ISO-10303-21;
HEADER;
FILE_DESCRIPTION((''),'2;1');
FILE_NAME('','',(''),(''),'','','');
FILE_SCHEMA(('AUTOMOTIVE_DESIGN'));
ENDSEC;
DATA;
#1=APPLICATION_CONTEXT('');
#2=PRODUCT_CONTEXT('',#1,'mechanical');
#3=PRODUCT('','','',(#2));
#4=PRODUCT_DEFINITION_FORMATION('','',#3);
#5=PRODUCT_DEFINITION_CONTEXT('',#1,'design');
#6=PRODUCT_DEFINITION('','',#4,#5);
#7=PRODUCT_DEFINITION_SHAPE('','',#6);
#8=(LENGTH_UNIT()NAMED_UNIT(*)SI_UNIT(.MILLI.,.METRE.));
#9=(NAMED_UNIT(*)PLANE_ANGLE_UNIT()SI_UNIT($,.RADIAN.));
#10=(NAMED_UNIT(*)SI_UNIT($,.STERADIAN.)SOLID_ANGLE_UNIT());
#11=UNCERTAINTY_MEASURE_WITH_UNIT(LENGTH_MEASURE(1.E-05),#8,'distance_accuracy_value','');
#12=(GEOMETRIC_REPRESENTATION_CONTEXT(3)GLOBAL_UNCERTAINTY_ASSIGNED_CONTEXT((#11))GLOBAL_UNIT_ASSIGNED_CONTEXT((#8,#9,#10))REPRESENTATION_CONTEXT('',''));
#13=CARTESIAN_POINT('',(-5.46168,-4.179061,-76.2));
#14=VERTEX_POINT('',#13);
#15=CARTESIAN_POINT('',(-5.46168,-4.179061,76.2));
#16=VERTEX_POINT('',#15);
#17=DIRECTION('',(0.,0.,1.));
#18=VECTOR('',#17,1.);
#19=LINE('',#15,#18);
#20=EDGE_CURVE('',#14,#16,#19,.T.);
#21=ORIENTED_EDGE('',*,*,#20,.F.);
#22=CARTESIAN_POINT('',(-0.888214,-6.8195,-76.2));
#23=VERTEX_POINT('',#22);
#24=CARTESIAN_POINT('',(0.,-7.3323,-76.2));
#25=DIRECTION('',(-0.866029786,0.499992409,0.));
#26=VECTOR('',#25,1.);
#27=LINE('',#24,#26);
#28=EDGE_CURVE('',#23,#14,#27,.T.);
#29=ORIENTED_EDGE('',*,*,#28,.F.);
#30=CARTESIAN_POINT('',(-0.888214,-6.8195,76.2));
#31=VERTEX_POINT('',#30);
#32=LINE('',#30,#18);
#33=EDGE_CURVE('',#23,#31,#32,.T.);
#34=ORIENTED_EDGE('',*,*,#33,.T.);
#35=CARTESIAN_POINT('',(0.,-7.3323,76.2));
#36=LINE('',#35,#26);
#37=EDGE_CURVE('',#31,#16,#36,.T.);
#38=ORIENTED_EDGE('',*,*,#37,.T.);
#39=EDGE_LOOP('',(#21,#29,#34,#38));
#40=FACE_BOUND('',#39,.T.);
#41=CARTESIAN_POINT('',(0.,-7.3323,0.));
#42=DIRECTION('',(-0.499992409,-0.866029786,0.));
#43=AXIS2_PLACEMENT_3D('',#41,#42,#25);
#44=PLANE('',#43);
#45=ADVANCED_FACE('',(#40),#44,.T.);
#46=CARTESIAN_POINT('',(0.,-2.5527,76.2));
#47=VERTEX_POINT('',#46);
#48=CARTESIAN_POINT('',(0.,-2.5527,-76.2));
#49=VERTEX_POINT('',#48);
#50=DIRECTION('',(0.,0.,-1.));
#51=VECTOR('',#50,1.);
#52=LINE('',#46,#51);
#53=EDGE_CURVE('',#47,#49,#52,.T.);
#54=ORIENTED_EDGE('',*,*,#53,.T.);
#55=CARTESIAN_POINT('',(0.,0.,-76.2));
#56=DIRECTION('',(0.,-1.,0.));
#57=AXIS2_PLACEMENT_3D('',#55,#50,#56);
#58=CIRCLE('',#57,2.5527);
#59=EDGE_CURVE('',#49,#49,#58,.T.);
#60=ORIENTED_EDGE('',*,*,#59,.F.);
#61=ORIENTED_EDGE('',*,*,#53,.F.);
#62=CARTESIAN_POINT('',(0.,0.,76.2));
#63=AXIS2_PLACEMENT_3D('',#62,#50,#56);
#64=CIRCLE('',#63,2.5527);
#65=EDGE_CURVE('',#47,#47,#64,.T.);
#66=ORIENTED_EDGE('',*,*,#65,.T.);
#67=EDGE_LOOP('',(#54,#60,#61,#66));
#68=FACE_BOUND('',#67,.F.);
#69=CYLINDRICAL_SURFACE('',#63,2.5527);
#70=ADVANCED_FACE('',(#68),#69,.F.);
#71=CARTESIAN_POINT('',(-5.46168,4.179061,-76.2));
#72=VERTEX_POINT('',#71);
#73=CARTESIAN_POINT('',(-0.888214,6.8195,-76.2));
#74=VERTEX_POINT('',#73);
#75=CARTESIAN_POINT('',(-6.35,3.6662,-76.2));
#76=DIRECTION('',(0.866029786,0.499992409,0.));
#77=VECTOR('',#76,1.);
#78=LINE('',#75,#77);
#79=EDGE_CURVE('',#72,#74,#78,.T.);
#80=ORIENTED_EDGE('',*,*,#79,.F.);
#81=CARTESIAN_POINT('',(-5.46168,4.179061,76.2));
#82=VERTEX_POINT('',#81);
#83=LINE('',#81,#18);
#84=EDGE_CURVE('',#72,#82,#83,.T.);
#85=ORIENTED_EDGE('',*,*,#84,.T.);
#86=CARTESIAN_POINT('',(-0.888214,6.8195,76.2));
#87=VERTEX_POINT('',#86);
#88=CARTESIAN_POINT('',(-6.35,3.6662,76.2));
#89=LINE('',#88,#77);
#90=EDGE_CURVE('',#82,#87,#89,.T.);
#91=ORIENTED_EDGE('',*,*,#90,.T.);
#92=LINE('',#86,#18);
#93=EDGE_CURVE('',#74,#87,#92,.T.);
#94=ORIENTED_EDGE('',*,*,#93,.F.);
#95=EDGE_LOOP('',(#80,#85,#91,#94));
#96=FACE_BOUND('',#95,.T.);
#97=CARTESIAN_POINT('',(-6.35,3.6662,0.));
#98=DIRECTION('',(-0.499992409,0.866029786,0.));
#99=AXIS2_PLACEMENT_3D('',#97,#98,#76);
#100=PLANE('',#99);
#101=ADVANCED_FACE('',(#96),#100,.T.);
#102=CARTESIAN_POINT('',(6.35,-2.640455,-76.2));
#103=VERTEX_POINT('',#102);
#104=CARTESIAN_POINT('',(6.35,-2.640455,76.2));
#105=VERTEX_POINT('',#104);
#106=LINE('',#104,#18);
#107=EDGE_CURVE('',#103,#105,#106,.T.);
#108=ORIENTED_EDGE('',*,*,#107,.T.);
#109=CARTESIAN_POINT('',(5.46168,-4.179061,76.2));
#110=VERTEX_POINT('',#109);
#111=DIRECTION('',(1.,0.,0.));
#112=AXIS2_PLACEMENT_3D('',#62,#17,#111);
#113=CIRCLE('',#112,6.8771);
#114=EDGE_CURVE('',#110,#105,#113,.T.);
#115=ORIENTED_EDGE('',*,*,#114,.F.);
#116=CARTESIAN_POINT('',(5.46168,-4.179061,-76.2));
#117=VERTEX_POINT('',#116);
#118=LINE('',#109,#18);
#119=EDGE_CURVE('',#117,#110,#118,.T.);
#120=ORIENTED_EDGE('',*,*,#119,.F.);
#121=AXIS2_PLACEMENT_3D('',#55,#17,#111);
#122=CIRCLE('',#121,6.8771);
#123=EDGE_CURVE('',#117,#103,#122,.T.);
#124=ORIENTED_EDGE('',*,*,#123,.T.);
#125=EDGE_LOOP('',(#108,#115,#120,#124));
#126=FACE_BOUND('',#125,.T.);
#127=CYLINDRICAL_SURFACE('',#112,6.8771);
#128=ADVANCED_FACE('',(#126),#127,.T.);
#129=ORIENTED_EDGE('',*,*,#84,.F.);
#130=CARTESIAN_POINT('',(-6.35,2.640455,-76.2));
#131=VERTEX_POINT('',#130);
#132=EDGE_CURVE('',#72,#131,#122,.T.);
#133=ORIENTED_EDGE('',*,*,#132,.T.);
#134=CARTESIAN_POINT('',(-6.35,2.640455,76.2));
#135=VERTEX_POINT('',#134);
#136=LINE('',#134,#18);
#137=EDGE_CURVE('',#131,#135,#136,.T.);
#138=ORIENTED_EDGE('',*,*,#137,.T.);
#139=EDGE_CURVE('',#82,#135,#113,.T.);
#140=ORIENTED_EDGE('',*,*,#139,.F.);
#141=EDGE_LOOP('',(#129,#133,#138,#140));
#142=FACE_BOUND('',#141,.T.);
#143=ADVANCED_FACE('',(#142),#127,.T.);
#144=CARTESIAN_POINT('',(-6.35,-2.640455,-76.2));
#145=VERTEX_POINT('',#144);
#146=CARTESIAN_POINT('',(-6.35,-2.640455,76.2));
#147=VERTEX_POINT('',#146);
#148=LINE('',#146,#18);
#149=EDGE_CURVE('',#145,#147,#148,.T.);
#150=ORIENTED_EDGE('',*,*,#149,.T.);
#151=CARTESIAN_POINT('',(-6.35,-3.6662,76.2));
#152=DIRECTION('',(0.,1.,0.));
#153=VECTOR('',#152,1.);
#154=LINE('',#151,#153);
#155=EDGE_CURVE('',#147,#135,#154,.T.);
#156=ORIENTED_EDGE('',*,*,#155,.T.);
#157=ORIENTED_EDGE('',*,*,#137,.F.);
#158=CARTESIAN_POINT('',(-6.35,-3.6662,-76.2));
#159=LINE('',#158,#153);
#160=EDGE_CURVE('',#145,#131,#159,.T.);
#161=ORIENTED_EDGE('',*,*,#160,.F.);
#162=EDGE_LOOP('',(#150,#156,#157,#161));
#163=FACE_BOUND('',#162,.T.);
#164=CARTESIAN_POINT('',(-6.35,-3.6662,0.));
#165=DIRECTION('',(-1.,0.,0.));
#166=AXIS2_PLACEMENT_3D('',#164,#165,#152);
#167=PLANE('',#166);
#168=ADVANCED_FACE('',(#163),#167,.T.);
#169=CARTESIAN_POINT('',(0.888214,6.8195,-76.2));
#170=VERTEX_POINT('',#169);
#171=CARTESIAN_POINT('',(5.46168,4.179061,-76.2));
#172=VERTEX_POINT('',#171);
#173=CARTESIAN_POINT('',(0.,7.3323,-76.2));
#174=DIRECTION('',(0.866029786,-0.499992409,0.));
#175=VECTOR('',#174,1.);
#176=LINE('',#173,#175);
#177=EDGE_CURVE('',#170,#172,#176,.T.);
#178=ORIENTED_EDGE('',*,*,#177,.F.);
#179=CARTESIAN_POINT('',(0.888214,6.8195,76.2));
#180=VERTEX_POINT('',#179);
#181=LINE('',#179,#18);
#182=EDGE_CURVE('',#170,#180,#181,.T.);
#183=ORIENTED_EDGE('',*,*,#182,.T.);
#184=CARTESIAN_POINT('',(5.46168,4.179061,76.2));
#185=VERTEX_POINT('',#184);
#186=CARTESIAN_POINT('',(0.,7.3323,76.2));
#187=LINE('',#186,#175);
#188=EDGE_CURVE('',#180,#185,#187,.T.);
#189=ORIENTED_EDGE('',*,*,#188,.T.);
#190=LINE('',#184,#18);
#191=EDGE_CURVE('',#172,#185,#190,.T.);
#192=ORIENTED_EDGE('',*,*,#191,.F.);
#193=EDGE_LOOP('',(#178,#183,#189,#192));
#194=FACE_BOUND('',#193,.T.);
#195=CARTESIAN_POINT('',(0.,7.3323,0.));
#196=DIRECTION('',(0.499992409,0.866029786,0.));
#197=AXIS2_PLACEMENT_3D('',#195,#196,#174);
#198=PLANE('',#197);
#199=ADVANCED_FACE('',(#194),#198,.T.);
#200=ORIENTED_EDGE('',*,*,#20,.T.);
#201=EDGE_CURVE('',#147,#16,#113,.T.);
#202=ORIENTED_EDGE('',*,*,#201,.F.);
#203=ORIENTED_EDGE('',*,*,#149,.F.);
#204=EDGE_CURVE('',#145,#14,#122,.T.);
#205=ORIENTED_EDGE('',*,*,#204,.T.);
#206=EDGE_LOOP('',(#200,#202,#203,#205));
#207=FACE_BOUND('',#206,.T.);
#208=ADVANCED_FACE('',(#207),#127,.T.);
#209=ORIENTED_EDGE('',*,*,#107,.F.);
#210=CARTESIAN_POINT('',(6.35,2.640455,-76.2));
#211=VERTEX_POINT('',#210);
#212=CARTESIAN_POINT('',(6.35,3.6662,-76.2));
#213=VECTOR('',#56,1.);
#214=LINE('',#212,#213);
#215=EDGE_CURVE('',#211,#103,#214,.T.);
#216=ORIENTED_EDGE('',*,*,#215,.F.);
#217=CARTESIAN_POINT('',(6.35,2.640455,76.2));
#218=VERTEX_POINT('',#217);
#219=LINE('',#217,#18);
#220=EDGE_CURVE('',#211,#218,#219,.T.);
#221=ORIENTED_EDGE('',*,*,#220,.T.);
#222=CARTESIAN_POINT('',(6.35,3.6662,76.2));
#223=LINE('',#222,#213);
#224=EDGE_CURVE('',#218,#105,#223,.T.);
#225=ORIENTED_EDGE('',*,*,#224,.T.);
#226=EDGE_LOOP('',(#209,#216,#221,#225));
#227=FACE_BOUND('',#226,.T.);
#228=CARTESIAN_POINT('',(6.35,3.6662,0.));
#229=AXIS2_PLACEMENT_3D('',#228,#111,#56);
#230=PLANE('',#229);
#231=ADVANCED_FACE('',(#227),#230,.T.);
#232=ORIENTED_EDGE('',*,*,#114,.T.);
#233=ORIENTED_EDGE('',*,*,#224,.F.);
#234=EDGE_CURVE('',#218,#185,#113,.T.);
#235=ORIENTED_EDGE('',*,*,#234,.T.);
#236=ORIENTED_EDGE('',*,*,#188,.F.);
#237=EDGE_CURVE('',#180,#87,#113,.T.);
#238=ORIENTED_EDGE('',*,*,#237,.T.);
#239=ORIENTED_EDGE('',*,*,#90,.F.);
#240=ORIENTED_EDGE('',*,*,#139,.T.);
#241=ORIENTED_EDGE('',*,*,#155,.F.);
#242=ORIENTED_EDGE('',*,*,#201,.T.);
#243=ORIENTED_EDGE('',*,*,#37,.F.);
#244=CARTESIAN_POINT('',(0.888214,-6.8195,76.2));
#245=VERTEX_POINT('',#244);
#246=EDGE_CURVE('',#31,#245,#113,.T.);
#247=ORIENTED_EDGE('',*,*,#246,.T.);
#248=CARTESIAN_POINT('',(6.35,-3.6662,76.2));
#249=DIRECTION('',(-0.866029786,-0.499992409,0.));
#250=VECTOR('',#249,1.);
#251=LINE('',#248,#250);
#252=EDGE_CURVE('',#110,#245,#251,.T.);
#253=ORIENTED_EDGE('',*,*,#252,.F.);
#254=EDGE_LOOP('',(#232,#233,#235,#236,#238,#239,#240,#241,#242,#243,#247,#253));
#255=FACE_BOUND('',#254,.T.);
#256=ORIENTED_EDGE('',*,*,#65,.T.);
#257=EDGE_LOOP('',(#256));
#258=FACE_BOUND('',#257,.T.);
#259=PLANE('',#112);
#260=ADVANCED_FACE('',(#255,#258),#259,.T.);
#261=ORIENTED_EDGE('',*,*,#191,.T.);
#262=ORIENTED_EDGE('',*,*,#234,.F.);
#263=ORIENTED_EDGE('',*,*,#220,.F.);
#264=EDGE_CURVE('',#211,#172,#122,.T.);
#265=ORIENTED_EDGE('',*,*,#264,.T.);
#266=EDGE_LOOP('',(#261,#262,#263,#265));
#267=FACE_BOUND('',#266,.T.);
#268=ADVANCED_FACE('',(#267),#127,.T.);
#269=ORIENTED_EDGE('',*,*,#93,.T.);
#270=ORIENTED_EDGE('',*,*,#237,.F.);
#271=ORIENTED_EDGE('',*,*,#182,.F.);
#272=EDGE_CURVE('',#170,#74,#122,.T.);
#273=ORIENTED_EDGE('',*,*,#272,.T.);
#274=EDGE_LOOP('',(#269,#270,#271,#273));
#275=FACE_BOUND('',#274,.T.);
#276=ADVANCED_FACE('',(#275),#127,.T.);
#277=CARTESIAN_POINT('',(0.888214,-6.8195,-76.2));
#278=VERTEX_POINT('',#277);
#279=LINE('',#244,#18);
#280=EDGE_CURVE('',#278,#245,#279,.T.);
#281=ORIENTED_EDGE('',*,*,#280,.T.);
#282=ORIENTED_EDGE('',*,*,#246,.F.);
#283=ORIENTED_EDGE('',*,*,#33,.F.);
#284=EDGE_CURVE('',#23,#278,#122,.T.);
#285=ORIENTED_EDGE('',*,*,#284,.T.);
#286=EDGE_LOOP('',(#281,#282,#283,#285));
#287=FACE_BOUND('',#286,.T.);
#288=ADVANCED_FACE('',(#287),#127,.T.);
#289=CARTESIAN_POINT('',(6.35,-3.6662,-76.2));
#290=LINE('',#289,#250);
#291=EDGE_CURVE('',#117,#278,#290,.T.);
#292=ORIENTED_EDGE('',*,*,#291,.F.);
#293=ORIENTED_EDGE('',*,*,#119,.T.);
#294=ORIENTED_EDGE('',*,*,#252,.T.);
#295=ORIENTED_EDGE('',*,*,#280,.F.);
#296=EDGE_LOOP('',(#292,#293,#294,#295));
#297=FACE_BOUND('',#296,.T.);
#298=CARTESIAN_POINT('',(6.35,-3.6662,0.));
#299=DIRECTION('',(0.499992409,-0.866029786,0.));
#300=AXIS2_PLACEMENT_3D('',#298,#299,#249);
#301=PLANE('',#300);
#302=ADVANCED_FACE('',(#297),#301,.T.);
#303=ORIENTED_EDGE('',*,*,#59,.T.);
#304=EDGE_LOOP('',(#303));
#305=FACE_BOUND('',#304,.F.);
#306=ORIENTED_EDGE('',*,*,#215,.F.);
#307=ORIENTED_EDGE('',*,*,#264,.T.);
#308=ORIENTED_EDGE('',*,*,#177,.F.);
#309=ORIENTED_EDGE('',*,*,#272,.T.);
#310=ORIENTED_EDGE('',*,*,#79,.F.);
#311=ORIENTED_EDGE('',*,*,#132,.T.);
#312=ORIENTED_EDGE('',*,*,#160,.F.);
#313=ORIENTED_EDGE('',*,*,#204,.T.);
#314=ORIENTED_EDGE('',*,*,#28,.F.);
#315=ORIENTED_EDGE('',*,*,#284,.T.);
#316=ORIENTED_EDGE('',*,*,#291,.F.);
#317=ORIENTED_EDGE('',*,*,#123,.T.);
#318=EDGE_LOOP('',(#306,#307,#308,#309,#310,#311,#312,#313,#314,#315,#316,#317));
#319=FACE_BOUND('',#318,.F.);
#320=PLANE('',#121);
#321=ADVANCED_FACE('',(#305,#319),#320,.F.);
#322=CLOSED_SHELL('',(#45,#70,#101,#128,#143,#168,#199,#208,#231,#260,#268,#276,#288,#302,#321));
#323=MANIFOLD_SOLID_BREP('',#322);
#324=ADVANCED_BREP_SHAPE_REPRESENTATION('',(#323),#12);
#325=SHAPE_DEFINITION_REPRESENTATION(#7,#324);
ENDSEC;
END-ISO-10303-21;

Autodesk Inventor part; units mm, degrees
ref_plane "YZ Plane" through (0, 0, 0) normal (1, 0, 0) x (0, 1, 0)
ref_plane "XZ Plane" through (0, 0, 0) normal (0, 1, 0) x (-1, 0, 0)
ref_plane "XY Plane" through (0, 0, 0) normal (0, 0, 1) x (1, 0, 0)
sketch "Sketch1" plane through (0, 0, 0) normal (0, 0, 1) x (1, 0, 0)
  line L0 (-6.35, -3.6662) -> (-6.35, 3.6662)
  line L1 (-6.35, 3.6662) -> (0, 7.3323)
  line L2 (0, 7.3323) -> (6.35, 3.6662)
  line L3 (6.35, 3.6662) -> (6.35, -3.6662)
  line L4 (6.35, -3.6662) -> (0, -7.3323)
  line L5 (0, -7.3323) -> (-6.35, -3.6662)
  point P0 (0, 0)
  point P1 (0, 0)
  dimension "Size" = 12.7
extrude "Extrusion1" add sketch "Sketch1" along normal mid plane 152.4
sketch "Sketch3" plane through (0, 0, 76.2) normal (0, 0, 1) x (1, 0, 0)
  line L0 (-6.35, 3.6662) -> (0, 7.3323) construction
  line L1 (0, 7.3323) -> (6.35, 3.6662) construction
  line L2 (6.35, 3.6662) -> (6.35, -3.6662) construction
  line L3 (6.35, -3.6662) -> (0, -7.3323) construction
  line L4 (0, -7.3323) -> (-6.35, -3.6662) construction
  line L5 (-6.35, -3.6662) -> (-6.35, 3.6662) construction
  point P0 (0, 0)
hole "Hole1" at (0, 0, 76.2) direction (0, 0, -1) diameter 5.1054 end through all
sketch "Sketch4" plane through (0, 0, 76.2) normal (0, 0, 1) x (1, 0, 0)
  circle A0 centre (0, 0) radius 2.5527 construction
  line L0 (-6.35, 3.6662) -> (0, 7.3323) construction
  line L1 (0, 7.3323) -> (6.35, 3.6662) construction
  line L2 (6.35, 3.6662) -> (6.35, -3.6662) construction
  line L3 (6.35, -3.6662) -> (0, -7.3323) construction
  line L4 (0, -7.3323) -> (-6.35, -3.6662) construction
  line L5 (-6.35, -3.6662) -> (-6.35, 3.6662) construction
  circle A1 centre (0, 0) radius 6.8771
  circle A2 centre (0, 0) radius 8.89
  dimension "thunder" = 13.7541
  dimension "d16" = 17.78
extrude "Extrusion3" cut sketch "Sketch4" against normal through all
equation "\"bearing\" = 25.4"
properties part number "GP5-023" material "Aluminum 6061"
